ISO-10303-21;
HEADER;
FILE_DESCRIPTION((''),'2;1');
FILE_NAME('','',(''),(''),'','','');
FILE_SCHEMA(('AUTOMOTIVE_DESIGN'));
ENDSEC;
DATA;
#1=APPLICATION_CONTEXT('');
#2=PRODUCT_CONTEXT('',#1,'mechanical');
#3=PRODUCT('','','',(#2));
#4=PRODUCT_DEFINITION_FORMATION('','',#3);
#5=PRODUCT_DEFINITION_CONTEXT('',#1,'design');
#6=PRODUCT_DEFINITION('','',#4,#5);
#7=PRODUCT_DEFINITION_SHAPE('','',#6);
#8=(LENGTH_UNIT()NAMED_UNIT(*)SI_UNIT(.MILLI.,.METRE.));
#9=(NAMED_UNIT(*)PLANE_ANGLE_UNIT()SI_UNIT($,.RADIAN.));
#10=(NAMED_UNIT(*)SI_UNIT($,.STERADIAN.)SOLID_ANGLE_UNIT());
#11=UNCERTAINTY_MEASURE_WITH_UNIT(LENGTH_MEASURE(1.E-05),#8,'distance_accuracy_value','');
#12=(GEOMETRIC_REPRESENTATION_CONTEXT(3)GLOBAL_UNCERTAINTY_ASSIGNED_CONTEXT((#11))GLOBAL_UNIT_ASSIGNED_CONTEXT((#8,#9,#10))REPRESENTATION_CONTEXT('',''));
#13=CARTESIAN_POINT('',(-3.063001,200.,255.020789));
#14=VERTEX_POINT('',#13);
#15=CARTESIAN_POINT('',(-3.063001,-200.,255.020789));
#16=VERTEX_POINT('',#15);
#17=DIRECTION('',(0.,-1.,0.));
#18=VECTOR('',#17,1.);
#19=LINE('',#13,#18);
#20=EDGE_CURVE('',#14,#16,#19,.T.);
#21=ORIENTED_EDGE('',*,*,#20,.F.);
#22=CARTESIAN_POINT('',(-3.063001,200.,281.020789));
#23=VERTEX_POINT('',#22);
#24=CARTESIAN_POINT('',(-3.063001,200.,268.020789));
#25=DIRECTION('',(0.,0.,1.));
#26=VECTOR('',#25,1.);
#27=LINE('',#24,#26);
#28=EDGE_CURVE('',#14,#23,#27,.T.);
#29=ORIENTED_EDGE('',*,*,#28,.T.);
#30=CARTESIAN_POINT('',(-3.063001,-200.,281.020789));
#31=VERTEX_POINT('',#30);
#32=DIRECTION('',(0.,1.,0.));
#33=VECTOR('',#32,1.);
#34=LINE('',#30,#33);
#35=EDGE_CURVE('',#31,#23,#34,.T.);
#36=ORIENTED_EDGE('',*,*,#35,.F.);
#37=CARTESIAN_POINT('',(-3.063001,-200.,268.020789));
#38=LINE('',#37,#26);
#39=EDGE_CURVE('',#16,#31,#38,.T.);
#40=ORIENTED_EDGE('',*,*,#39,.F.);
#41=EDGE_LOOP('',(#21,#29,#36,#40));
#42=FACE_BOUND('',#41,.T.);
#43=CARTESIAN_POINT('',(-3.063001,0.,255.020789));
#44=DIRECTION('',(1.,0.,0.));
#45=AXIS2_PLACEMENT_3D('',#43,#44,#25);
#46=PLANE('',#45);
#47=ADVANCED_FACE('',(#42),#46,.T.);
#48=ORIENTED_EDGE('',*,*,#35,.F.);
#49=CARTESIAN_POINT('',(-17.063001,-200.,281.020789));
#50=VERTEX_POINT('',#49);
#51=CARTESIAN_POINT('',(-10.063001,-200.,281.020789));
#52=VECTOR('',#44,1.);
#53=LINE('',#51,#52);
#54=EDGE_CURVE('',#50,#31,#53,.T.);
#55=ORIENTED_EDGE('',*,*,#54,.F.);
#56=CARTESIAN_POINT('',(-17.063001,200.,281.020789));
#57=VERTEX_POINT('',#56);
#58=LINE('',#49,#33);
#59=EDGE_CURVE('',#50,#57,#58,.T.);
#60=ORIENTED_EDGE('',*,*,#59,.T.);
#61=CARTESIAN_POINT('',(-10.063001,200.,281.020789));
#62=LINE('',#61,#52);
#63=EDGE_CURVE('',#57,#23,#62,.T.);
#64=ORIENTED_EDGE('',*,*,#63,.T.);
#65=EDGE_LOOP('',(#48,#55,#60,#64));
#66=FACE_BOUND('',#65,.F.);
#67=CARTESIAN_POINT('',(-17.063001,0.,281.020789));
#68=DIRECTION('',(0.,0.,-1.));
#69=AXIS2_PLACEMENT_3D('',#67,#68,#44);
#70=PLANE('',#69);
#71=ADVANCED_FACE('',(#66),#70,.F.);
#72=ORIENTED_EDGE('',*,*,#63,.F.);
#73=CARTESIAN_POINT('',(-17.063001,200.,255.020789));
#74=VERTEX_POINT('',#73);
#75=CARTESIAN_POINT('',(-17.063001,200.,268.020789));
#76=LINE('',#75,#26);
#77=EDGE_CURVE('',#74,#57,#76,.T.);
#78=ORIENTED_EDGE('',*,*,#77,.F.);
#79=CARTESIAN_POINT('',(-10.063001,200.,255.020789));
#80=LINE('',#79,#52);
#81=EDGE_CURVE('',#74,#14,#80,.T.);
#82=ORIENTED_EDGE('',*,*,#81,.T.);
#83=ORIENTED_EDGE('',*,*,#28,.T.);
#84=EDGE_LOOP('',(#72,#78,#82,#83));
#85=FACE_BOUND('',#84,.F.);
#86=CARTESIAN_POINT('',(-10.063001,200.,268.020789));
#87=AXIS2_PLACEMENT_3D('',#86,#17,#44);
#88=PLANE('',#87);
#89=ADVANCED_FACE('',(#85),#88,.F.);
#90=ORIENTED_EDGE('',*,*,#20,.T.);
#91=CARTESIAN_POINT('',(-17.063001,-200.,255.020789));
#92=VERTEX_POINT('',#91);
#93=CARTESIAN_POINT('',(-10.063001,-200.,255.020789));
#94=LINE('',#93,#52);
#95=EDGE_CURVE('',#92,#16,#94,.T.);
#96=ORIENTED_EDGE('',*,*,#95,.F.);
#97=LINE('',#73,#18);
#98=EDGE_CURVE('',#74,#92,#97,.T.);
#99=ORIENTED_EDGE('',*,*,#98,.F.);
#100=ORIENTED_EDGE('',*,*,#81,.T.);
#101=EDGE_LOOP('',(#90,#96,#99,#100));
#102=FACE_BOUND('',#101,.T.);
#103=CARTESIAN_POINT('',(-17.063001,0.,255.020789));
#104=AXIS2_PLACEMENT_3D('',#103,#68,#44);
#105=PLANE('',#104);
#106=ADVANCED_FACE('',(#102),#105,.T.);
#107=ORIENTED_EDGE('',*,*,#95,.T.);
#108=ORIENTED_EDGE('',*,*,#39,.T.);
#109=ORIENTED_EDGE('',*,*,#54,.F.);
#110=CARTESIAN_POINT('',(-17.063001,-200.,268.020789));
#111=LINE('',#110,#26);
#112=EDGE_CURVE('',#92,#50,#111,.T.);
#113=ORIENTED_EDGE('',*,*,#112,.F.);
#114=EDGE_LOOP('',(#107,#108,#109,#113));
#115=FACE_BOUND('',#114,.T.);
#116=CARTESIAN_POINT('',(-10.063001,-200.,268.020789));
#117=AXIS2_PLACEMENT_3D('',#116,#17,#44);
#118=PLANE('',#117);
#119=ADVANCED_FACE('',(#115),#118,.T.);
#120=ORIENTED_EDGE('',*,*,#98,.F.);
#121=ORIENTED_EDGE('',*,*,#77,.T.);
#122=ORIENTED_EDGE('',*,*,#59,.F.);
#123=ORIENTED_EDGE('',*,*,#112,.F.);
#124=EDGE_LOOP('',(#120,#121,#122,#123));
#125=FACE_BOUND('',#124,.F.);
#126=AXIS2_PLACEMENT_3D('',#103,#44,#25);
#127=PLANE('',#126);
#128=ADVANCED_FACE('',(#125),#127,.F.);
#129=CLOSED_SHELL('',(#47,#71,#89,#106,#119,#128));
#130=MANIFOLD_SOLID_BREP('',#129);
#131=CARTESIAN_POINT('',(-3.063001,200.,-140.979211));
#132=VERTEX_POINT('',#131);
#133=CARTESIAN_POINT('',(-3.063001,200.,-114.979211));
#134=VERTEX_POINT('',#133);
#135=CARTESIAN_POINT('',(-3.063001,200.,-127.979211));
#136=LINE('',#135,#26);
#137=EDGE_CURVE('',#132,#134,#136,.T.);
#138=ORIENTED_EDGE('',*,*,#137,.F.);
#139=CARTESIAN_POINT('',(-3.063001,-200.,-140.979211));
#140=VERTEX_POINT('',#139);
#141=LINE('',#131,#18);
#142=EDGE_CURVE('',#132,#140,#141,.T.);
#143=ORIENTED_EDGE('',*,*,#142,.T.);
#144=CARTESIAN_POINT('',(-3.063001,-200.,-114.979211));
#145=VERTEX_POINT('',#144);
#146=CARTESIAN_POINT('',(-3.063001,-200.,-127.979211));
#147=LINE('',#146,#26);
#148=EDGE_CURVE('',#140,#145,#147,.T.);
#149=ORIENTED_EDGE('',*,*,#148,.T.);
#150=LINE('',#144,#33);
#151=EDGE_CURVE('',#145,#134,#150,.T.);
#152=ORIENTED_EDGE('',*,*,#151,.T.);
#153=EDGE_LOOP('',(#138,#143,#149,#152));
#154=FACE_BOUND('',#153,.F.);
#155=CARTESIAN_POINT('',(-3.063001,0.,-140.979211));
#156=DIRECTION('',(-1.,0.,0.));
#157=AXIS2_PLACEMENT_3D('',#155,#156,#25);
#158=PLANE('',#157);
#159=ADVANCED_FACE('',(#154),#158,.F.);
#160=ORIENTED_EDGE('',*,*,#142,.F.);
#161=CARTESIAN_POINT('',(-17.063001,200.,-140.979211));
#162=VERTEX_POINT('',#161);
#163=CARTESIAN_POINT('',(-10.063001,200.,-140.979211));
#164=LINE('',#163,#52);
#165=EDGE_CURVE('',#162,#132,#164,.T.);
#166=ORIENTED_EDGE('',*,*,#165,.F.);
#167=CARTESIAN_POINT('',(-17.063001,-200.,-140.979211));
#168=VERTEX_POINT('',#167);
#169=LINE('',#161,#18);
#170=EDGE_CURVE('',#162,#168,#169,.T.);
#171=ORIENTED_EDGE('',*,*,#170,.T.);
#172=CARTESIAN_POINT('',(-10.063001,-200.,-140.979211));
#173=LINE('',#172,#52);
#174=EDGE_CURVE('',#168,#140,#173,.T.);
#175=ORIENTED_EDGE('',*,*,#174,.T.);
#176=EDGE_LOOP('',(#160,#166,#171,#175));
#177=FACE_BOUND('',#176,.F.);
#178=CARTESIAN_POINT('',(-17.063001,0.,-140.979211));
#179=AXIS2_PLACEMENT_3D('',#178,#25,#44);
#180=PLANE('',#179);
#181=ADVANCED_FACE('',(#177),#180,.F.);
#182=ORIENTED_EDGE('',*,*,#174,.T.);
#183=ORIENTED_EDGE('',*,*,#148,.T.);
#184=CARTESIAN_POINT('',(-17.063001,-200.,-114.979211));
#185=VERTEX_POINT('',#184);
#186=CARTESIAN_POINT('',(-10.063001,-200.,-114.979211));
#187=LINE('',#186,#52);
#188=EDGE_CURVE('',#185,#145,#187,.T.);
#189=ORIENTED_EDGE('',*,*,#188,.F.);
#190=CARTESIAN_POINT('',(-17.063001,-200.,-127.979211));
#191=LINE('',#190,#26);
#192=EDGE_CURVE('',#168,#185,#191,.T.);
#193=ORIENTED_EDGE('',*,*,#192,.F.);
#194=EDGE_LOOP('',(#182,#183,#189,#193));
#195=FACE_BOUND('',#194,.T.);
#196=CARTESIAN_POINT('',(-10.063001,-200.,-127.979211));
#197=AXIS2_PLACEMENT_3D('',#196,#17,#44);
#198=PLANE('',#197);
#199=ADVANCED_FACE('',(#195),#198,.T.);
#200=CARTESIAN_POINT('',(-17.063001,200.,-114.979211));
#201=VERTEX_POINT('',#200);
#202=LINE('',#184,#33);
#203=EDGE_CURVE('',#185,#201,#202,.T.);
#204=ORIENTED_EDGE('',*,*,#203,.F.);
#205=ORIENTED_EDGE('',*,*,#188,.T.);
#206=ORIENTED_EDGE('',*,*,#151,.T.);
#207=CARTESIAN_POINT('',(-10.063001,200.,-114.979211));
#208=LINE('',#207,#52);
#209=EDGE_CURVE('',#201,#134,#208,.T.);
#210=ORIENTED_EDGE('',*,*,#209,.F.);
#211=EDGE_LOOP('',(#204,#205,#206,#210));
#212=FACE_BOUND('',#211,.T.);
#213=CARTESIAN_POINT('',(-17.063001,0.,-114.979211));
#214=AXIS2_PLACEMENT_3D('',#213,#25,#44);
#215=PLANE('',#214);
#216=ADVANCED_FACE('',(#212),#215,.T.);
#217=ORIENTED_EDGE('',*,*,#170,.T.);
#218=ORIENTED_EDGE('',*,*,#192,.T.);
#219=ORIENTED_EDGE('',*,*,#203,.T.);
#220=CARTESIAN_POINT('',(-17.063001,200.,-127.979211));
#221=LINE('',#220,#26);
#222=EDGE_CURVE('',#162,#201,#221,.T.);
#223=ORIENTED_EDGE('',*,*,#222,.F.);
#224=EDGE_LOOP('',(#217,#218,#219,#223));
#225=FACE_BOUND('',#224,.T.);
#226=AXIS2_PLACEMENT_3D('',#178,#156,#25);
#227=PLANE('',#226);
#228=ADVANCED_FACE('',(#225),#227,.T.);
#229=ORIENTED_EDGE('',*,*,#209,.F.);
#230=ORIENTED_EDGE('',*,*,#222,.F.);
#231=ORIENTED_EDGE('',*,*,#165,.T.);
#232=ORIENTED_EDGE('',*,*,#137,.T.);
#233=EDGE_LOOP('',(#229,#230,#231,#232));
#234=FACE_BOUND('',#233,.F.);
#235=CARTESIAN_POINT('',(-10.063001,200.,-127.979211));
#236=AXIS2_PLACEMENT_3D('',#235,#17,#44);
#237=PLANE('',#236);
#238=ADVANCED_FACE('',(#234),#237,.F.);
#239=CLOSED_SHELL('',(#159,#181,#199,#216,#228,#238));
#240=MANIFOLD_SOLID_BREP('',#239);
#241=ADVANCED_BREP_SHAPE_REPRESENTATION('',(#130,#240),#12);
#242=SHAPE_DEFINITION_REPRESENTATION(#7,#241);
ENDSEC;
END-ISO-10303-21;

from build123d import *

# Parameters (mm, degrees)
F0_W     = 14
F0_H     = 26
F1_DEPTH = 200


with BuildPart() as f1:
    # F0 (on Front) → F1 (new body, symmetric)
    with BuildSketch(Plane.XZ):
        with Locations((-10.063001, -127.979211)):
            Rectangle(F0_W, F0_H)
        with Locations((-10.063001, 268.020789)):
            Rectangle(F0_W, F0_H)
    extrude(amount=F1_DEPTH, both=True)


solid = f1.part
